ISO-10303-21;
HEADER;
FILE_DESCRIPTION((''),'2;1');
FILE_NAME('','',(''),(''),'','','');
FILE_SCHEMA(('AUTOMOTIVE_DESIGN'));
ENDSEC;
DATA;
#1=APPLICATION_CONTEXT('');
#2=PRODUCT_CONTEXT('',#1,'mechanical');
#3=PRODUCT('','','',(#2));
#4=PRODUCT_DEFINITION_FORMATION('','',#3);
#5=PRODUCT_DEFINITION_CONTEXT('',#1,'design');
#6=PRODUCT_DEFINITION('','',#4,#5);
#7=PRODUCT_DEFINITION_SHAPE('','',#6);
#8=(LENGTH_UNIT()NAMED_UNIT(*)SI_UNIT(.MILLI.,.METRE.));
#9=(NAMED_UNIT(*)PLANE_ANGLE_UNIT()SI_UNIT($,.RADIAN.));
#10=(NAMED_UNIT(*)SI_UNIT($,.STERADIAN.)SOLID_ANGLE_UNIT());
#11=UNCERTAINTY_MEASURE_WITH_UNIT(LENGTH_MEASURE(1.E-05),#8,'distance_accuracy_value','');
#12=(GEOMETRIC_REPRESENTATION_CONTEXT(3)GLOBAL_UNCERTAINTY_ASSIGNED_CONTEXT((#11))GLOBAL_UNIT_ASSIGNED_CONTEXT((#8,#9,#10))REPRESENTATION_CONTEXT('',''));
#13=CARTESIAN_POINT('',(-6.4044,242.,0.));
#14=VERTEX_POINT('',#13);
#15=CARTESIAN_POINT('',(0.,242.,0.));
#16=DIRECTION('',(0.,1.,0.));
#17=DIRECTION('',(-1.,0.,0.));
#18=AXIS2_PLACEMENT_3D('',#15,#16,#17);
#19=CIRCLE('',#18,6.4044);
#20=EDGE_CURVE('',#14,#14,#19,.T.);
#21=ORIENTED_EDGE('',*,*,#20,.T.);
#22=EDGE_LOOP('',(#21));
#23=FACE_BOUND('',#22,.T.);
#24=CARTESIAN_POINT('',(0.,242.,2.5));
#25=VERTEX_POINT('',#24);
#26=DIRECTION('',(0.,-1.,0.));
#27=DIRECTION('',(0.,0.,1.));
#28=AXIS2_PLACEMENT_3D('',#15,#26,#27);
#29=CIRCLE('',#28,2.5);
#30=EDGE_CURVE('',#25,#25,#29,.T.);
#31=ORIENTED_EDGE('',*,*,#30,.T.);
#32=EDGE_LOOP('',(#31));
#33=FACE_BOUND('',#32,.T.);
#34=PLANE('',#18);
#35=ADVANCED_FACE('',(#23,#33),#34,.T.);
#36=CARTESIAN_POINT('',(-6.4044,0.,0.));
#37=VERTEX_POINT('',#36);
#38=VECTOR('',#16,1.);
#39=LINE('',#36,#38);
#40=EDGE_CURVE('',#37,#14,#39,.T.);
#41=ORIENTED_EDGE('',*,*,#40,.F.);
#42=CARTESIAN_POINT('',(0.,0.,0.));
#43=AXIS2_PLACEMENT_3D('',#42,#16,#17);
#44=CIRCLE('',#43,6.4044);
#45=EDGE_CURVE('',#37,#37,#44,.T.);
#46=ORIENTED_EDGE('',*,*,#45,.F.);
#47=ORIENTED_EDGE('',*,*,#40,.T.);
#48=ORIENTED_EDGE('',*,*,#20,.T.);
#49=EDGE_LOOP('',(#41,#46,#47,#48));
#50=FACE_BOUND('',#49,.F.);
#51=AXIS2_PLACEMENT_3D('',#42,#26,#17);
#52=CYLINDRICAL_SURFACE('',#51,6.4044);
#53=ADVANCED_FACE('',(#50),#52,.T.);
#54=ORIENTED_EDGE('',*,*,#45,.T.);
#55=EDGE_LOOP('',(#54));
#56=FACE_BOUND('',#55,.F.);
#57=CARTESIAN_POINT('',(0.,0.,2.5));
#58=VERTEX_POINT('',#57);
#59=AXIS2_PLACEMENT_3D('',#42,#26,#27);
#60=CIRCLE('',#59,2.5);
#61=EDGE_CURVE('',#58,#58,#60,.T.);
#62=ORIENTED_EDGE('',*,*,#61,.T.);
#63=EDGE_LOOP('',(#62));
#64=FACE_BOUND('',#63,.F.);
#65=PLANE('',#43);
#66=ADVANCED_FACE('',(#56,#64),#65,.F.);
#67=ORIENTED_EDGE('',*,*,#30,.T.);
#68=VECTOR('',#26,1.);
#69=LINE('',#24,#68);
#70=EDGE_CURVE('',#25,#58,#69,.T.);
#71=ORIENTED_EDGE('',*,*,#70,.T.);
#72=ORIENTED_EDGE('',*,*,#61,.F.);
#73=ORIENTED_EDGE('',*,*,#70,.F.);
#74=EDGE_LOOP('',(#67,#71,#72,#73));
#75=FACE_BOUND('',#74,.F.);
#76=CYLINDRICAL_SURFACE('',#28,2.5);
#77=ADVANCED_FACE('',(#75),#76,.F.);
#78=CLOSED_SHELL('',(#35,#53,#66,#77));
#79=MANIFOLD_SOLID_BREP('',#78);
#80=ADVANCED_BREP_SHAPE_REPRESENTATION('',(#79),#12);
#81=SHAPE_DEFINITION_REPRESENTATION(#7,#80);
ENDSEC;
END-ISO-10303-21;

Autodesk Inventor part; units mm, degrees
ref_plane "YZ Plane" through (0, 0, 0) normal (1, 0, 0) x (0, 1, 0)
ref_plane "XZ Plane" through (0, 0, 0) normal (0, 1, 0) x (-1, 0, 0)
ref_plane "XY Plane" through (0, 0, 0) normal (0, 0, 1) x (1, 0, 0)
sketch "Boceto3" plane through (0, 0, 0) normal (0, 1, 0) x (-1, 0, 0)
  circle A0 centre (0, 0) radius 6.4044
extrude "Extrusión2" add sketch "Boceto3" along normal blind 242
sketch "Boceto4" plane through (0, 242, 0) normal (0, 1, 0) x (1, 0, 0)
  point P0 (0, 0)
hole "Agujero2" at (0, 242, 0) direction (0, -1, 0) diameter 5 end through all
properties part number "soporte lente de arriba MOT"
